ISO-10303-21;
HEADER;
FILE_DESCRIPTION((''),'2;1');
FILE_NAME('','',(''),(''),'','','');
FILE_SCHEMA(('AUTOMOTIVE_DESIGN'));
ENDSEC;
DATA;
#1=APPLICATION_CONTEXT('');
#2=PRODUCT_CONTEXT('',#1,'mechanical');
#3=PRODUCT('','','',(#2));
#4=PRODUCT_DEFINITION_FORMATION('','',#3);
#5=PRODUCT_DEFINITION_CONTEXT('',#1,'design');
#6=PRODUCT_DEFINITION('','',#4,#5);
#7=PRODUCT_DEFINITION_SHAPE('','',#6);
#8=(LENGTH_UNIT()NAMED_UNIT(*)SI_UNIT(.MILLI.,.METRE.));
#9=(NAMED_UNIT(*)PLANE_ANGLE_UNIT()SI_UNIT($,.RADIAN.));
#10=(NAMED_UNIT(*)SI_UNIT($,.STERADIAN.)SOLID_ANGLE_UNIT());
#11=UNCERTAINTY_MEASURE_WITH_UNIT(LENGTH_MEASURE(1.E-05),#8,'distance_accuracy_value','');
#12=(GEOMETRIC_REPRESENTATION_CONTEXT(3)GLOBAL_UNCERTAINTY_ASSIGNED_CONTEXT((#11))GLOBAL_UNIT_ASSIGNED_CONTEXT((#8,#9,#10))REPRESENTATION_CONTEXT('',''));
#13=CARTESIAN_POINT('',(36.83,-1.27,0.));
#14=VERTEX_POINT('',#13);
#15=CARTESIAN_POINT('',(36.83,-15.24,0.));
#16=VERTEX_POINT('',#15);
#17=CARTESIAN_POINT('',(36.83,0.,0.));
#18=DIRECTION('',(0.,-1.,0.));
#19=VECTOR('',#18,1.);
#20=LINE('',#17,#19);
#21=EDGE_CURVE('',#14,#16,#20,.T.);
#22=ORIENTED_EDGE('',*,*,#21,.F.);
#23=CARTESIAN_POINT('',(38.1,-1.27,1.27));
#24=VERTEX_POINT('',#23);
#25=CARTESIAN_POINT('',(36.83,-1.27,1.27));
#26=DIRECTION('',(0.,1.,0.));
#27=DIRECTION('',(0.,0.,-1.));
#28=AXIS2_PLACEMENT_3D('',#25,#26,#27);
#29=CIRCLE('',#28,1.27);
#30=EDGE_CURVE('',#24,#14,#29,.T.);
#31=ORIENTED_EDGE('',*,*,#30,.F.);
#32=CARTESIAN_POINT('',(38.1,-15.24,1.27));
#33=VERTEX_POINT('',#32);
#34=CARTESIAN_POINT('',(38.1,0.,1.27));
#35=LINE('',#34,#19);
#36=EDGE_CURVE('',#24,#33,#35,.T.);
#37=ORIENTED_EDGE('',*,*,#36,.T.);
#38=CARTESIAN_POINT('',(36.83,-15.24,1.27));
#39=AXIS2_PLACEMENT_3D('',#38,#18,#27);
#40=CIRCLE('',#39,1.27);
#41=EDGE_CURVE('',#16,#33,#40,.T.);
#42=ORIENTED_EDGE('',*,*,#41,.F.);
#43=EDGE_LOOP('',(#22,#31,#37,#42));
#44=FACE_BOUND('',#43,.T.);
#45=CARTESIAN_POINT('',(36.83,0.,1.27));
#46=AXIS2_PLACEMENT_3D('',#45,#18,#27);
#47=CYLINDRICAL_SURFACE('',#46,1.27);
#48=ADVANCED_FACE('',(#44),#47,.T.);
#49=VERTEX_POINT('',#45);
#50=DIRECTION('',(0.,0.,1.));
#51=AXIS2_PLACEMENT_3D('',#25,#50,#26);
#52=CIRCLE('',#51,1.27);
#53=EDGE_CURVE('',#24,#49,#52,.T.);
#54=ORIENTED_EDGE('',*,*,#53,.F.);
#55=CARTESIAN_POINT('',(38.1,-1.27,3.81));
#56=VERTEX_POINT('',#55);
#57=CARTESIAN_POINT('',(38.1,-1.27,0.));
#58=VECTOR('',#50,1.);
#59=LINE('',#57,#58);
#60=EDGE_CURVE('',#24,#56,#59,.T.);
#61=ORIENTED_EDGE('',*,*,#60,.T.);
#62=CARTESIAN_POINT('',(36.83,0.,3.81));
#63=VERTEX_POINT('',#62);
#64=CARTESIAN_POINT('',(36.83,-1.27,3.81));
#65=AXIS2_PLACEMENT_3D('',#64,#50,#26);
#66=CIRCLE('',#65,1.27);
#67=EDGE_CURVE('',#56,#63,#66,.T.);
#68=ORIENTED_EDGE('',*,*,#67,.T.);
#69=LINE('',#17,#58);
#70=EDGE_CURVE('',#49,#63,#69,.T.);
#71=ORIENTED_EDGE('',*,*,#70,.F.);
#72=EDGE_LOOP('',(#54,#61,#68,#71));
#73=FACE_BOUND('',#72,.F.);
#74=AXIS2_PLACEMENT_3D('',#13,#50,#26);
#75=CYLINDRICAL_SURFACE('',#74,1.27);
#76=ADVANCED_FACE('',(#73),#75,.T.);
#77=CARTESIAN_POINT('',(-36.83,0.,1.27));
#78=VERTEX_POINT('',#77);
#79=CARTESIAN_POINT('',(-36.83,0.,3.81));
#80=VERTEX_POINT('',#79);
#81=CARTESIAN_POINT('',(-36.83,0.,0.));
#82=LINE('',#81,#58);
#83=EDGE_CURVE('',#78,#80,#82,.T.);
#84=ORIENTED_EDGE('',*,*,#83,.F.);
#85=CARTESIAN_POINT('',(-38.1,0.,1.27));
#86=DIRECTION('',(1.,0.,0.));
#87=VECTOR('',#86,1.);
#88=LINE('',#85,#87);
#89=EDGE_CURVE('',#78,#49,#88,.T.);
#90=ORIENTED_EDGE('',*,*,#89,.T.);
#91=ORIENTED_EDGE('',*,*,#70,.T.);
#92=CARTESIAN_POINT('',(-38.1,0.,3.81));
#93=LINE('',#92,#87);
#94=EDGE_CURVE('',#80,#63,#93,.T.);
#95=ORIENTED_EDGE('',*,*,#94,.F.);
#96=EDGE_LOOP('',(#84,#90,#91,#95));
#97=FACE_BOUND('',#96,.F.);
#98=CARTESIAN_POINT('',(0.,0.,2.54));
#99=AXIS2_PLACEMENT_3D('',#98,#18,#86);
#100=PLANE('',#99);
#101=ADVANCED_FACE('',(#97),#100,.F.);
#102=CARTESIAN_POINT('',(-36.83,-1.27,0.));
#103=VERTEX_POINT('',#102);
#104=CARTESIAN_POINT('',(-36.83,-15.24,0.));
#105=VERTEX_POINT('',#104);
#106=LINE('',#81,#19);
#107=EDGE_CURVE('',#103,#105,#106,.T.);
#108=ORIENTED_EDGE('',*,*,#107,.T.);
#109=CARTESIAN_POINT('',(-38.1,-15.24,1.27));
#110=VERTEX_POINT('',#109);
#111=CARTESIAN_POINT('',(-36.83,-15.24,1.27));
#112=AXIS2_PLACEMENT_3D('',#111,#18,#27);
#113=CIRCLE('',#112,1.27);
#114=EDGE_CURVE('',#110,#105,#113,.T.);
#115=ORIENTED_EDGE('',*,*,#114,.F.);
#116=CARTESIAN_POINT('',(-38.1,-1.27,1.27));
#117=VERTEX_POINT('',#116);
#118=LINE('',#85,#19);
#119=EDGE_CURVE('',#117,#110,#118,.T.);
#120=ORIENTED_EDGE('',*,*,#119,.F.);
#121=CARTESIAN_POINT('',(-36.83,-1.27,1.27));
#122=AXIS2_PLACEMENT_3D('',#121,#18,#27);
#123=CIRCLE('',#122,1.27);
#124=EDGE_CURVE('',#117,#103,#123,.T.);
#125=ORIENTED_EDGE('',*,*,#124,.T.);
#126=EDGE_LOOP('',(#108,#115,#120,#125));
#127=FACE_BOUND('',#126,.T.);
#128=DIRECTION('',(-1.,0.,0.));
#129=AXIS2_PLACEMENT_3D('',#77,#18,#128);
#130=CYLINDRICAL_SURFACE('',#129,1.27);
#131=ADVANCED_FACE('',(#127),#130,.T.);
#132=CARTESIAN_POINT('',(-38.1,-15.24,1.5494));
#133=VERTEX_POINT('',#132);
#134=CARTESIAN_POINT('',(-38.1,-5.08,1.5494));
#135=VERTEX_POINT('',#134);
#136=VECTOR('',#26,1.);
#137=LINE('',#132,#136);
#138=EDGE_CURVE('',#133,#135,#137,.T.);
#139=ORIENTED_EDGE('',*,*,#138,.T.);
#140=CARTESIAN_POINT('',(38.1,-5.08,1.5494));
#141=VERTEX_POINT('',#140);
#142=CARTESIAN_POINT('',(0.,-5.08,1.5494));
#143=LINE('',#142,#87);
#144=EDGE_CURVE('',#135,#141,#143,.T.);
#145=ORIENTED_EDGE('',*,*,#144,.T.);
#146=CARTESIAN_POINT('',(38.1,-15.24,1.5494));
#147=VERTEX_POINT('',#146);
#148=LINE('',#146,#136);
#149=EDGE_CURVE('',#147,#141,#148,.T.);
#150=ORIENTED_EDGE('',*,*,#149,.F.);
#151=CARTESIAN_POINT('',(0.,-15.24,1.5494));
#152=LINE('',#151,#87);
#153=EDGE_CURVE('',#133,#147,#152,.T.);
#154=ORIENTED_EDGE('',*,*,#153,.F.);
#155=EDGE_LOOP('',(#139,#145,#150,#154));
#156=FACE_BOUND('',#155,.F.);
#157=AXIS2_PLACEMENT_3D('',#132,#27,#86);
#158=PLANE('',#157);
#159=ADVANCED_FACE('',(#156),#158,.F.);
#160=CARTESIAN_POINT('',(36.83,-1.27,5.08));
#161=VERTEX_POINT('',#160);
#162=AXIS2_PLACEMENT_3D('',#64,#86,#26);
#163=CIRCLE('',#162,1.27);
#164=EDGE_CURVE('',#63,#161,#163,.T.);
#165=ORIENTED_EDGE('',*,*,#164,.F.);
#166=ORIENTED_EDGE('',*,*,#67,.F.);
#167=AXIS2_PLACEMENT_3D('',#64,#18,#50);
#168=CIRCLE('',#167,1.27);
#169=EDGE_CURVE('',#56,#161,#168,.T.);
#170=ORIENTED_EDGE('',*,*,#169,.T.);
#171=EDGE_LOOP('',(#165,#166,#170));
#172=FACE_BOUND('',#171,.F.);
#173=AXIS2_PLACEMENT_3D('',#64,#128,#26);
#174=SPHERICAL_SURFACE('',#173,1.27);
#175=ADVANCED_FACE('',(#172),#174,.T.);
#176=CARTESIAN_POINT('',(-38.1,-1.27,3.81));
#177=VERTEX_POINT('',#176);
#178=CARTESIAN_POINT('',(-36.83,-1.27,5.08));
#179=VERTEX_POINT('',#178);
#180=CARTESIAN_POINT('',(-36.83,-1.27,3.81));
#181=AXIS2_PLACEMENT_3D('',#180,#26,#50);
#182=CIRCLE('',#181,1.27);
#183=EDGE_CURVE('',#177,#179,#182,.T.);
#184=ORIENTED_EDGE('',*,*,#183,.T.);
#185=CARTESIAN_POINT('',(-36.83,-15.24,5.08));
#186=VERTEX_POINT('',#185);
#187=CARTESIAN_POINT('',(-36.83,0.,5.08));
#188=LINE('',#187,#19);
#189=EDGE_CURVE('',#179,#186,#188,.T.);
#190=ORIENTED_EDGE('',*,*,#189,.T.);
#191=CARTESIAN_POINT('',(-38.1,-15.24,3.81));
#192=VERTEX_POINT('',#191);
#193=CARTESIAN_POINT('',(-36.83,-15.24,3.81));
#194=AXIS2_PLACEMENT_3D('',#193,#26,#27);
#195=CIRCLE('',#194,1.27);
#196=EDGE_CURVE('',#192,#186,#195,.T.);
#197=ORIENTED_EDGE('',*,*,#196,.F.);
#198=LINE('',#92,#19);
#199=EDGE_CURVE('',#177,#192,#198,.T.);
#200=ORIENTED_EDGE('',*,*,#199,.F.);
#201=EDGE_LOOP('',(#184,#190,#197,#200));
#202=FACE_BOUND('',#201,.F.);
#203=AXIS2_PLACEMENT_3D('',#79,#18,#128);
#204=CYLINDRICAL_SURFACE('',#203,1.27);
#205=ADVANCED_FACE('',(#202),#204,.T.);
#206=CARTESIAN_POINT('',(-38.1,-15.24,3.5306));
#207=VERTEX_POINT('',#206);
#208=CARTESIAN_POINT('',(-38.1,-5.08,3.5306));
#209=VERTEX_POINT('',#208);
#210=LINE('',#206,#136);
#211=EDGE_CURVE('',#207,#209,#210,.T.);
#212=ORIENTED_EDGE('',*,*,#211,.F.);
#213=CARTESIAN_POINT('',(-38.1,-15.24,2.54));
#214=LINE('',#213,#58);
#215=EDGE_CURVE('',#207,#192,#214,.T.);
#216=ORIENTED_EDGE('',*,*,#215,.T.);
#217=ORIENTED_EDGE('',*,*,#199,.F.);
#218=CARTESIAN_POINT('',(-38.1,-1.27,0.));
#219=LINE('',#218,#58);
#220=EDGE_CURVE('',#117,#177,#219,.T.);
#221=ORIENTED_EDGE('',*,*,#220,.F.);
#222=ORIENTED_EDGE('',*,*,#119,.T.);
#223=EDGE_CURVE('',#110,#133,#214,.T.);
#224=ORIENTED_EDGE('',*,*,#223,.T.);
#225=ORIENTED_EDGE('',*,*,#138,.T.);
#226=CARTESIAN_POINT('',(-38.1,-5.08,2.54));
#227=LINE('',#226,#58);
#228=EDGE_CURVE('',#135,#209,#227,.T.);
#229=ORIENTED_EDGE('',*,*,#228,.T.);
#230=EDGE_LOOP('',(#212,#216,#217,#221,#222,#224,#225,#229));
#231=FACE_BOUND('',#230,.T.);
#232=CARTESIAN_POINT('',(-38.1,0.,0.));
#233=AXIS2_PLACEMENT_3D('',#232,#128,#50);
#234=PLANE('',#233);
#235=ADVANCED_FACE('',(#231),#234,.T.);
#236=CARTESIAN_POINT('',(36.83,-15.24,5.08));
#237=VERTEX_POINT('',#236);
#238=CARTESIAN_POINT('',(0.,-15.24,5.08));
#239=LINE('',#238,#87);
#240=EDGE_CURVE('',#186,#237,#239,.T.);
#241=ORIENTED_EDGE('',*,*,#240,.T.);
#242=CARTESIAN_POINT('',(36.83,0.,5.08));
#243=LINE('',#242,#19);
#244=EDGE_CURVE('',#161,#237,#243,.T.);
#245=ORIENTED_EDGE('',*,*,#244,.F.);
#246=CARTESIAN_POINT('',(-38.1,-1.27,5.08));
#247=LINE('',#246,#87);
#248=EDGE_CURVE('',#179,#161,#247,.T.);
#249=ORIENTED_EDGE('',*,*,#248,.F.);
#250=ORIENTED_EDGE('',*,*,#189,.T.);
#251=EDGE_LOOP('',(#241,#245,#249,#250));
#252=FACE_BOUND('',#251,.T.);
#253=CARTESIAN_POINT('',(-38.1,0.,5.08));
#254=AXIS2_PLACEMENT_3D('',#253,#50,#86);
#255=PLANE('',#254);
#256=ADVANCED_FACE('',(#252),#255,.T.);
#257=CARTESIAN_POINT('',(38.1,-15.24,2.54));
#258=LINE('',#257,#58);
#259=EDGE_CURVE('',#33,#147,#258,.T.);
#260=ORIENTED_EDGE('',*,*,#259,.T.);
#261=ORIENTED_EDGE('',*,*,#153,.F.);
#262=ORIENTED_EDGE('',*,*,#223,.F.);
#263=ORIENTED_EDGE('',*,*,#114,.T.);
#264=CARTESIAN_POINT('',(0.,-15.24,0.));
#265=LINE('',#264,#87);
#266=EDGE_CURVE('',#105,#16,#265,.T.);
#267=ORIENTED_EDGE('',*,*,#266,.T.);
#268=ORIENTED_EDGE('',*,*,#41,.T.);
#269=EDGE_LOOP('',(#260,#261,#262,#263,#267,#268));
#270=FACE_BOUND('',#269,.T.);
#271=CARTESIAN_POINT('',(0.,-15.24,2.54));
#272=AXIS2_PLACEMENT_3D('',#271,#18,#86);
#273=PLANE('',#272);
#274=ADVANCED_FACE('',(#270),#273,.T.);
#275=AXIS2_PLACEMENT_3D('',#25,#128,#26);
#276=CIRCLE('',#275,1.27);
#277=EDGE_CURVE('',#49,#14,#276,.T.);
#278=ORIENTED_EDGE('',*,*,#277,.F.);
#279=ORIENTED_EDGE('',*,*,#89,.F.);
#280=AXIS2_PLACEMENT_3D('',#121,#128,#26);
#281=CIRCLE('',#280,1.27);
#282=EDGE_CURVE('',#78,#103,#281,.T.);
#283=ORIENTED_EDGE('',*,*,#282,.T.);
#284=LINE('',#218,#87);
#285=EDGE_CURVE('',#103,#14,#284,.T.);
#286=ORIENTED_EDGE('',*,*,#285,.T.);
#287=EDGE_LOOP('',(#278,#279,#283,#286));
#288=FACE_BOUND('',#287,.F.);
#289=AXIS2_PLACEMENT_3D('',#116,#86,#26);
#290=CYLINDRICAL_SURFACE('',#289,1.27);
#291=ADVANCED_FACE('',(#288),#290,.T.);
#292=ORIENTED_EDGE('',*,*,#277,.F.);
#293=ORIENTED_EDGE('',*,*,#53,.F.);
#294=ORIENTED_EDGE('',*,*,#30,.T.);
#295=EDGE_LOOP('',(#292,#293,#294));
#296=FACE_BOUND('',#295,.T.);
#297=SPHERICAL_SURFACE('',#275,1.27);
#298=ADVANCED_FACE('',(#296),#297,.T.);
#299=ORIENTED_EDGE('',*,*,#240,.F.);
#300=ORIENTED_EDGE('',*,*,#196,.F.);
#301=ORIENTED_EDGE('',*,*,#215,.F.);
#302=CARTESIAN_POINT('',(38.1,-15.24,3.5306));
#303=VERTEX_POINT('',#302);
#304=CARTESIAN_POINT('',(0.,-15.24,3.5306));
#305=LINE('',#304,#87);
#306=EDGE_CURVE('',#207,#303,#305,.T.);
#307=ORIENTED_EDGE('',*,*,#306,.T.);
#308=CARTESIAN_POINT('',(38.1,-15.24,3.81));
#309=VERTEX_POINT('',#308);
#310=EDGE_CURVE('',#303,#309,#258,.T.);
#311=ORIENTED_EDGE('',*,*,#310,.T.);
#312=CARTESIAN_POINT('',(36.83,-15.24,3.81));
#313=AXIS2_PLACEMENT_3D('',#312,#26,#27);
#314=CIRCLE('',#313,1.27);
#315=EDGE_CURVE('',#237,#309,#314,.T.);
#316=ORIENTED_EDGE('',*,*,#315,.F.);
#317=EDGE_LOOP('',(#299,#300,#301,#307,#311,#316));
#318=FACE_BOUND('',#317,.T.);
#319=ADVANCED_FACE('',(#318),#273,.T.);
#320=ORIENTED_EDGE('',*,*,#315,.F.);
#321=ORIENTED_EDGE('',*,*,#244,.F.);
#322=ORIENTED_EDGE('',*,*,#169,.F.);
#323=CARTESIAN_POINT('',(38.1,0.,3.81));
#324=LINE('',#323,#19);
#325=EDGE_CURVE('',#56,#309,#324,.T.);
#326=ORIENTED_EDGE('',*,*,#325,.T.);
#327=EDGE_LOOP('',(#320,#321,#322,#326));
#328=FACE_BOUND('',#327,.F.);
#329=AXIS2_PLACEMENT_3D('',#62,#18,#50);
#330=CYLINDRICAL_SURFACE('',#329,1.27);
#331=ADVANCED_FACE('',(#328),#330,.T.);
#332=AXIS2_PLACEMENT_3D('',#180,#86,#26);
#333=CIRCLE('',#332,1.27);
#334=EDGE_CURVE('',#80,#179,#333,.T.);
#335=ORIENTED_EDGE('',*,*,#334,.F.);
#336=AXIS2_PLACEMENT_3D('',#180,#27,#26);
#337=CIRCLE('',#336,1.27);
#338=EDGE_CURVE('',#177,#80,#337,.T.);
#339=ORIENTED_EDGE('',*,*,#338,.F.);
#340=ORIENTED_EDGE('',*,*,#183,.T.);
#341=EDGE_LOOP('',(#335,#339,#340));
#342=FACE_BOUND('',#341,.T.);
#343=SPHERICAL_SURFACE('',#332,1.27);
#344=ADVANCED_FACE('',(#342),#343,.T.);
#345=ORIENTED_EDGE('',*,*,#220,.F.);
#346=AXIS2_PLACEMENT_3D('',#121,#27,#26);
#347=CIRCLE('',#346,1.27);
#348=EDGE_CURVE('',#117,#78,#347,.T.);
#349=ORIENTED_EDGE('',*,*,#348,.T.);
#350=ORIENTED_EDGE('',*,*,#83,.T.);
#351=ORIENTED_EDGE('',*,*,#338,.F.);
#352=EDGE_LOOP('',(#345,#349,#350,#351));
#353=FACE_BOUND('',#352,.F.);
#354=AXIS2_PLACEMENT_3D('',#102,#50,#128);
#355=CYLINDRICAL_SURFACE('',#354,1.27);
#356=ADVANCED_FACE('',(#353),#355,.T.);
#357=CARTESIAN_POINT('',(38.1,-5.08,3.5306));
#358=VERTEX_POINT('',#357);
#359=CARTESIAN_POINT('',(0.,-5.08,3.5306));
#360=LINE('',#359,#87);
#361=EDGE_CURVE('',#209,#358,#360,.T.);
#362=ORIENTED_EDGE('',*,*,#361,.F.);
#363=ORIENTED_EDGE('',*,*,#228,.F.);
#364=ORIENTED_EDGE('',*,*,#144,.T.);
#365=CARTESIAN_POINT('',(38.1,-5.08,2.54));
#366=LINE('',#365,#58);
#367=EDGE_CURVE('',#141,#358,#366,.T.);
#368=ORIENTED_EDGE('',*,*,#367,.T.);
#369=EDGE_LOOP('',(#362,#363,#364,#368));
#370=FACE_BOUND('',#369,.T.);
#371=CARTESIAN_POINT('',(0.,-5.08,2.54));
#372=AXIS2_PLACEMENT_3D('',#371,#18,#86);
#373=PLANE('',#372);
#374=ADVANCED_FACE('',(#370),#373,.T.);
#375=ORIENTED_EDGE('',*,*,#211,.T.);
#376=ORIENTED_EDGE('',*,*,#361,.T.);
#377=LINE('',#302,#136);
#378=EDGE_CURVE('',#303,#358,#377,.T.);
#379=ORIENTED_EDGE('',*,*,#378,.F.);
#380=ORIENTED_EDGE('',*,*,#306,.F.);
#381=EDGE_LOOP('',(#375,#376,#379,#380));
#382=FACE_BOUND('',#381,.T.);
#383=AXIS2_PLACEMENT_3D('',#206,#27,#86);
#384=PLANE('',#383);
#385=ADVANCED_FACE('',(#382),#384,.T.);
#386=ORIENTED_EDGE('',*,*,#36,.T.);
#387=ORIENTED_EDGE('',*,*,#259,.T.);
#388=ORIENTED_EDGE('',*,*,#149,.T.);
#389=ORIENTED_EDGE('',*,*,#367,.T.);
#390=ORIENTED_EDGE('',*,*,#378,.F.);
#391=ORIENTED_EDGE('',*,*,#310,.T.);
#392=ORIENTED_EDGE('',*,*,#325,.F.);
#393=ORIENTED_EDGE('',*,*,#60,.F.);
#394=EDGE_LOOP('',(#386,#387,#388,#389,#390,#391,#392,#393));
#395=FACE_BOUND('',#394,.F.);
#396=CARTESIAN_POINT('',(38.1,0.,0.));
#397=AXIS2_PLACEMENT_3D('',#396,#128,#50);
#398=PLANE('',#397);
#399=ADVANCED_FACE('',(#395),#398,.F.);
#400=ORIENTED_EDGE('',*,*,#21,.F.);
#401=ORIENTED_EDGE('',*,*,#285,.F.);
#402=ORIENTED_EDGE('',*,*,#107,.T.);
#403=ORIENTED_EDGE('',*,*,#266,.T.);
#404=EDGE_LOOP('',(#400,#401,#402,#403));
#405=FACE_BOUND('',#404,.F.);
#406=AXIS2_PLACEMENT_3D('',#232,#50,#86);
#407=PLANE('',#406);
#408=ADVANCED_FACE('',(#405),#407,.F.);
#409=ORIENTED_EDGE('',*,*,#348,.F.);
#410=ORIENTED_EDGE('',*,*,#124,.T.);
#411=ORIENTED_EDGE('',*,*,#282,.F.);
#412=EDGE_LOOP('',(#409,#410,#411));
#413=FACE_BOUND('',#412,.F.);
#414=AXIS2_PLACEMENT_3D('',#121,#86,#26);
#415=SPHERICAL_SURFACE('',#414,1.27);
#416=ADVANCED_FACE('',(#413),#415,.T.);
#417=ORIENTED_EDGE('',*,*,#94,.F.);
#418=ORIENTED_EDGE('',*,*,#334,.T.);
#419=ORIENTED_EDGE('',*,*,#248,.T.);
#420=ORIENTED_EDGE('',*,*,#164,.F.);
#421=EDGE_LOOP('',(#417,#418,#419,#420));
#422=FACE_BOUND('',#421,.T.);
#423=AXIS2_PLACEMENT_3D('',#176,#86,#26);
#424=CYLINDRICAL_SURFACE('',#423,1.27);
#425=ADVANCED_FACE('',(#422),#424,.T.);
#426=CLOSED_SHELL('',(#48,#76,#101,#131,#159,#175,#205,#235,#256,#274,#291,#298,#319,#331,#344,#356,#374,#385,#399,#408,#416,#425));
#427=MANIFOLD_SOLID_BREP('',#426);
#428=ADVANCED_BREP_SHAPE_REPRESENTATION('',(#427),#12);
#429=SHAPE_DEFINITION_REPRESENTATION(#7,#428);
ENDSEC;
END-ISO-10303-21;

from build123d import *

# Parameters (mm, degrees)
F0_W     = 76.2
F0_H     = 5.08
F1_DEPTH = 15.24
F2_W     = 76.2
F2_H     = 1.9812
F3_DEPTH = 10.16
F4_R     = 1.27


with BuildPart() as f1:
    # F0 (on Front) → F1 (new body)
    with BuildSketch(Plane.XZ):
        with Locations((0, 2.54)):
            Rectangle(F0_W, F0_H)
    extrude(amount=F1_DEPTH)

    # F2 (on face) → F3 (cut)
    with BuildSketch(Plane.XZ.offset(15.24)):
        with Locations((0, 2.54)):
            Rectangle(F2_W, F2_H)
    extrude(amount=-F3_DEPTH, mode=Mode.SUBTRACT)

    # F4
    f4_edges = [f1.edges().sort_by_distance(p)[0] for p in [
        (0, 0, 5.08),
        (0, 0, 0),
        (-38.1, 0, 2.54),
        (38.1, 0, 2.54),
        (38.1, -7.62, 5.08),
        (38.1, -7.62, 0),
        (-38.1, -7.62, 5.08),
        (-38.1, -7.62, 0),
    ]]
    fillet(f4_edges, radius=F4_R)


solid = f1.part
